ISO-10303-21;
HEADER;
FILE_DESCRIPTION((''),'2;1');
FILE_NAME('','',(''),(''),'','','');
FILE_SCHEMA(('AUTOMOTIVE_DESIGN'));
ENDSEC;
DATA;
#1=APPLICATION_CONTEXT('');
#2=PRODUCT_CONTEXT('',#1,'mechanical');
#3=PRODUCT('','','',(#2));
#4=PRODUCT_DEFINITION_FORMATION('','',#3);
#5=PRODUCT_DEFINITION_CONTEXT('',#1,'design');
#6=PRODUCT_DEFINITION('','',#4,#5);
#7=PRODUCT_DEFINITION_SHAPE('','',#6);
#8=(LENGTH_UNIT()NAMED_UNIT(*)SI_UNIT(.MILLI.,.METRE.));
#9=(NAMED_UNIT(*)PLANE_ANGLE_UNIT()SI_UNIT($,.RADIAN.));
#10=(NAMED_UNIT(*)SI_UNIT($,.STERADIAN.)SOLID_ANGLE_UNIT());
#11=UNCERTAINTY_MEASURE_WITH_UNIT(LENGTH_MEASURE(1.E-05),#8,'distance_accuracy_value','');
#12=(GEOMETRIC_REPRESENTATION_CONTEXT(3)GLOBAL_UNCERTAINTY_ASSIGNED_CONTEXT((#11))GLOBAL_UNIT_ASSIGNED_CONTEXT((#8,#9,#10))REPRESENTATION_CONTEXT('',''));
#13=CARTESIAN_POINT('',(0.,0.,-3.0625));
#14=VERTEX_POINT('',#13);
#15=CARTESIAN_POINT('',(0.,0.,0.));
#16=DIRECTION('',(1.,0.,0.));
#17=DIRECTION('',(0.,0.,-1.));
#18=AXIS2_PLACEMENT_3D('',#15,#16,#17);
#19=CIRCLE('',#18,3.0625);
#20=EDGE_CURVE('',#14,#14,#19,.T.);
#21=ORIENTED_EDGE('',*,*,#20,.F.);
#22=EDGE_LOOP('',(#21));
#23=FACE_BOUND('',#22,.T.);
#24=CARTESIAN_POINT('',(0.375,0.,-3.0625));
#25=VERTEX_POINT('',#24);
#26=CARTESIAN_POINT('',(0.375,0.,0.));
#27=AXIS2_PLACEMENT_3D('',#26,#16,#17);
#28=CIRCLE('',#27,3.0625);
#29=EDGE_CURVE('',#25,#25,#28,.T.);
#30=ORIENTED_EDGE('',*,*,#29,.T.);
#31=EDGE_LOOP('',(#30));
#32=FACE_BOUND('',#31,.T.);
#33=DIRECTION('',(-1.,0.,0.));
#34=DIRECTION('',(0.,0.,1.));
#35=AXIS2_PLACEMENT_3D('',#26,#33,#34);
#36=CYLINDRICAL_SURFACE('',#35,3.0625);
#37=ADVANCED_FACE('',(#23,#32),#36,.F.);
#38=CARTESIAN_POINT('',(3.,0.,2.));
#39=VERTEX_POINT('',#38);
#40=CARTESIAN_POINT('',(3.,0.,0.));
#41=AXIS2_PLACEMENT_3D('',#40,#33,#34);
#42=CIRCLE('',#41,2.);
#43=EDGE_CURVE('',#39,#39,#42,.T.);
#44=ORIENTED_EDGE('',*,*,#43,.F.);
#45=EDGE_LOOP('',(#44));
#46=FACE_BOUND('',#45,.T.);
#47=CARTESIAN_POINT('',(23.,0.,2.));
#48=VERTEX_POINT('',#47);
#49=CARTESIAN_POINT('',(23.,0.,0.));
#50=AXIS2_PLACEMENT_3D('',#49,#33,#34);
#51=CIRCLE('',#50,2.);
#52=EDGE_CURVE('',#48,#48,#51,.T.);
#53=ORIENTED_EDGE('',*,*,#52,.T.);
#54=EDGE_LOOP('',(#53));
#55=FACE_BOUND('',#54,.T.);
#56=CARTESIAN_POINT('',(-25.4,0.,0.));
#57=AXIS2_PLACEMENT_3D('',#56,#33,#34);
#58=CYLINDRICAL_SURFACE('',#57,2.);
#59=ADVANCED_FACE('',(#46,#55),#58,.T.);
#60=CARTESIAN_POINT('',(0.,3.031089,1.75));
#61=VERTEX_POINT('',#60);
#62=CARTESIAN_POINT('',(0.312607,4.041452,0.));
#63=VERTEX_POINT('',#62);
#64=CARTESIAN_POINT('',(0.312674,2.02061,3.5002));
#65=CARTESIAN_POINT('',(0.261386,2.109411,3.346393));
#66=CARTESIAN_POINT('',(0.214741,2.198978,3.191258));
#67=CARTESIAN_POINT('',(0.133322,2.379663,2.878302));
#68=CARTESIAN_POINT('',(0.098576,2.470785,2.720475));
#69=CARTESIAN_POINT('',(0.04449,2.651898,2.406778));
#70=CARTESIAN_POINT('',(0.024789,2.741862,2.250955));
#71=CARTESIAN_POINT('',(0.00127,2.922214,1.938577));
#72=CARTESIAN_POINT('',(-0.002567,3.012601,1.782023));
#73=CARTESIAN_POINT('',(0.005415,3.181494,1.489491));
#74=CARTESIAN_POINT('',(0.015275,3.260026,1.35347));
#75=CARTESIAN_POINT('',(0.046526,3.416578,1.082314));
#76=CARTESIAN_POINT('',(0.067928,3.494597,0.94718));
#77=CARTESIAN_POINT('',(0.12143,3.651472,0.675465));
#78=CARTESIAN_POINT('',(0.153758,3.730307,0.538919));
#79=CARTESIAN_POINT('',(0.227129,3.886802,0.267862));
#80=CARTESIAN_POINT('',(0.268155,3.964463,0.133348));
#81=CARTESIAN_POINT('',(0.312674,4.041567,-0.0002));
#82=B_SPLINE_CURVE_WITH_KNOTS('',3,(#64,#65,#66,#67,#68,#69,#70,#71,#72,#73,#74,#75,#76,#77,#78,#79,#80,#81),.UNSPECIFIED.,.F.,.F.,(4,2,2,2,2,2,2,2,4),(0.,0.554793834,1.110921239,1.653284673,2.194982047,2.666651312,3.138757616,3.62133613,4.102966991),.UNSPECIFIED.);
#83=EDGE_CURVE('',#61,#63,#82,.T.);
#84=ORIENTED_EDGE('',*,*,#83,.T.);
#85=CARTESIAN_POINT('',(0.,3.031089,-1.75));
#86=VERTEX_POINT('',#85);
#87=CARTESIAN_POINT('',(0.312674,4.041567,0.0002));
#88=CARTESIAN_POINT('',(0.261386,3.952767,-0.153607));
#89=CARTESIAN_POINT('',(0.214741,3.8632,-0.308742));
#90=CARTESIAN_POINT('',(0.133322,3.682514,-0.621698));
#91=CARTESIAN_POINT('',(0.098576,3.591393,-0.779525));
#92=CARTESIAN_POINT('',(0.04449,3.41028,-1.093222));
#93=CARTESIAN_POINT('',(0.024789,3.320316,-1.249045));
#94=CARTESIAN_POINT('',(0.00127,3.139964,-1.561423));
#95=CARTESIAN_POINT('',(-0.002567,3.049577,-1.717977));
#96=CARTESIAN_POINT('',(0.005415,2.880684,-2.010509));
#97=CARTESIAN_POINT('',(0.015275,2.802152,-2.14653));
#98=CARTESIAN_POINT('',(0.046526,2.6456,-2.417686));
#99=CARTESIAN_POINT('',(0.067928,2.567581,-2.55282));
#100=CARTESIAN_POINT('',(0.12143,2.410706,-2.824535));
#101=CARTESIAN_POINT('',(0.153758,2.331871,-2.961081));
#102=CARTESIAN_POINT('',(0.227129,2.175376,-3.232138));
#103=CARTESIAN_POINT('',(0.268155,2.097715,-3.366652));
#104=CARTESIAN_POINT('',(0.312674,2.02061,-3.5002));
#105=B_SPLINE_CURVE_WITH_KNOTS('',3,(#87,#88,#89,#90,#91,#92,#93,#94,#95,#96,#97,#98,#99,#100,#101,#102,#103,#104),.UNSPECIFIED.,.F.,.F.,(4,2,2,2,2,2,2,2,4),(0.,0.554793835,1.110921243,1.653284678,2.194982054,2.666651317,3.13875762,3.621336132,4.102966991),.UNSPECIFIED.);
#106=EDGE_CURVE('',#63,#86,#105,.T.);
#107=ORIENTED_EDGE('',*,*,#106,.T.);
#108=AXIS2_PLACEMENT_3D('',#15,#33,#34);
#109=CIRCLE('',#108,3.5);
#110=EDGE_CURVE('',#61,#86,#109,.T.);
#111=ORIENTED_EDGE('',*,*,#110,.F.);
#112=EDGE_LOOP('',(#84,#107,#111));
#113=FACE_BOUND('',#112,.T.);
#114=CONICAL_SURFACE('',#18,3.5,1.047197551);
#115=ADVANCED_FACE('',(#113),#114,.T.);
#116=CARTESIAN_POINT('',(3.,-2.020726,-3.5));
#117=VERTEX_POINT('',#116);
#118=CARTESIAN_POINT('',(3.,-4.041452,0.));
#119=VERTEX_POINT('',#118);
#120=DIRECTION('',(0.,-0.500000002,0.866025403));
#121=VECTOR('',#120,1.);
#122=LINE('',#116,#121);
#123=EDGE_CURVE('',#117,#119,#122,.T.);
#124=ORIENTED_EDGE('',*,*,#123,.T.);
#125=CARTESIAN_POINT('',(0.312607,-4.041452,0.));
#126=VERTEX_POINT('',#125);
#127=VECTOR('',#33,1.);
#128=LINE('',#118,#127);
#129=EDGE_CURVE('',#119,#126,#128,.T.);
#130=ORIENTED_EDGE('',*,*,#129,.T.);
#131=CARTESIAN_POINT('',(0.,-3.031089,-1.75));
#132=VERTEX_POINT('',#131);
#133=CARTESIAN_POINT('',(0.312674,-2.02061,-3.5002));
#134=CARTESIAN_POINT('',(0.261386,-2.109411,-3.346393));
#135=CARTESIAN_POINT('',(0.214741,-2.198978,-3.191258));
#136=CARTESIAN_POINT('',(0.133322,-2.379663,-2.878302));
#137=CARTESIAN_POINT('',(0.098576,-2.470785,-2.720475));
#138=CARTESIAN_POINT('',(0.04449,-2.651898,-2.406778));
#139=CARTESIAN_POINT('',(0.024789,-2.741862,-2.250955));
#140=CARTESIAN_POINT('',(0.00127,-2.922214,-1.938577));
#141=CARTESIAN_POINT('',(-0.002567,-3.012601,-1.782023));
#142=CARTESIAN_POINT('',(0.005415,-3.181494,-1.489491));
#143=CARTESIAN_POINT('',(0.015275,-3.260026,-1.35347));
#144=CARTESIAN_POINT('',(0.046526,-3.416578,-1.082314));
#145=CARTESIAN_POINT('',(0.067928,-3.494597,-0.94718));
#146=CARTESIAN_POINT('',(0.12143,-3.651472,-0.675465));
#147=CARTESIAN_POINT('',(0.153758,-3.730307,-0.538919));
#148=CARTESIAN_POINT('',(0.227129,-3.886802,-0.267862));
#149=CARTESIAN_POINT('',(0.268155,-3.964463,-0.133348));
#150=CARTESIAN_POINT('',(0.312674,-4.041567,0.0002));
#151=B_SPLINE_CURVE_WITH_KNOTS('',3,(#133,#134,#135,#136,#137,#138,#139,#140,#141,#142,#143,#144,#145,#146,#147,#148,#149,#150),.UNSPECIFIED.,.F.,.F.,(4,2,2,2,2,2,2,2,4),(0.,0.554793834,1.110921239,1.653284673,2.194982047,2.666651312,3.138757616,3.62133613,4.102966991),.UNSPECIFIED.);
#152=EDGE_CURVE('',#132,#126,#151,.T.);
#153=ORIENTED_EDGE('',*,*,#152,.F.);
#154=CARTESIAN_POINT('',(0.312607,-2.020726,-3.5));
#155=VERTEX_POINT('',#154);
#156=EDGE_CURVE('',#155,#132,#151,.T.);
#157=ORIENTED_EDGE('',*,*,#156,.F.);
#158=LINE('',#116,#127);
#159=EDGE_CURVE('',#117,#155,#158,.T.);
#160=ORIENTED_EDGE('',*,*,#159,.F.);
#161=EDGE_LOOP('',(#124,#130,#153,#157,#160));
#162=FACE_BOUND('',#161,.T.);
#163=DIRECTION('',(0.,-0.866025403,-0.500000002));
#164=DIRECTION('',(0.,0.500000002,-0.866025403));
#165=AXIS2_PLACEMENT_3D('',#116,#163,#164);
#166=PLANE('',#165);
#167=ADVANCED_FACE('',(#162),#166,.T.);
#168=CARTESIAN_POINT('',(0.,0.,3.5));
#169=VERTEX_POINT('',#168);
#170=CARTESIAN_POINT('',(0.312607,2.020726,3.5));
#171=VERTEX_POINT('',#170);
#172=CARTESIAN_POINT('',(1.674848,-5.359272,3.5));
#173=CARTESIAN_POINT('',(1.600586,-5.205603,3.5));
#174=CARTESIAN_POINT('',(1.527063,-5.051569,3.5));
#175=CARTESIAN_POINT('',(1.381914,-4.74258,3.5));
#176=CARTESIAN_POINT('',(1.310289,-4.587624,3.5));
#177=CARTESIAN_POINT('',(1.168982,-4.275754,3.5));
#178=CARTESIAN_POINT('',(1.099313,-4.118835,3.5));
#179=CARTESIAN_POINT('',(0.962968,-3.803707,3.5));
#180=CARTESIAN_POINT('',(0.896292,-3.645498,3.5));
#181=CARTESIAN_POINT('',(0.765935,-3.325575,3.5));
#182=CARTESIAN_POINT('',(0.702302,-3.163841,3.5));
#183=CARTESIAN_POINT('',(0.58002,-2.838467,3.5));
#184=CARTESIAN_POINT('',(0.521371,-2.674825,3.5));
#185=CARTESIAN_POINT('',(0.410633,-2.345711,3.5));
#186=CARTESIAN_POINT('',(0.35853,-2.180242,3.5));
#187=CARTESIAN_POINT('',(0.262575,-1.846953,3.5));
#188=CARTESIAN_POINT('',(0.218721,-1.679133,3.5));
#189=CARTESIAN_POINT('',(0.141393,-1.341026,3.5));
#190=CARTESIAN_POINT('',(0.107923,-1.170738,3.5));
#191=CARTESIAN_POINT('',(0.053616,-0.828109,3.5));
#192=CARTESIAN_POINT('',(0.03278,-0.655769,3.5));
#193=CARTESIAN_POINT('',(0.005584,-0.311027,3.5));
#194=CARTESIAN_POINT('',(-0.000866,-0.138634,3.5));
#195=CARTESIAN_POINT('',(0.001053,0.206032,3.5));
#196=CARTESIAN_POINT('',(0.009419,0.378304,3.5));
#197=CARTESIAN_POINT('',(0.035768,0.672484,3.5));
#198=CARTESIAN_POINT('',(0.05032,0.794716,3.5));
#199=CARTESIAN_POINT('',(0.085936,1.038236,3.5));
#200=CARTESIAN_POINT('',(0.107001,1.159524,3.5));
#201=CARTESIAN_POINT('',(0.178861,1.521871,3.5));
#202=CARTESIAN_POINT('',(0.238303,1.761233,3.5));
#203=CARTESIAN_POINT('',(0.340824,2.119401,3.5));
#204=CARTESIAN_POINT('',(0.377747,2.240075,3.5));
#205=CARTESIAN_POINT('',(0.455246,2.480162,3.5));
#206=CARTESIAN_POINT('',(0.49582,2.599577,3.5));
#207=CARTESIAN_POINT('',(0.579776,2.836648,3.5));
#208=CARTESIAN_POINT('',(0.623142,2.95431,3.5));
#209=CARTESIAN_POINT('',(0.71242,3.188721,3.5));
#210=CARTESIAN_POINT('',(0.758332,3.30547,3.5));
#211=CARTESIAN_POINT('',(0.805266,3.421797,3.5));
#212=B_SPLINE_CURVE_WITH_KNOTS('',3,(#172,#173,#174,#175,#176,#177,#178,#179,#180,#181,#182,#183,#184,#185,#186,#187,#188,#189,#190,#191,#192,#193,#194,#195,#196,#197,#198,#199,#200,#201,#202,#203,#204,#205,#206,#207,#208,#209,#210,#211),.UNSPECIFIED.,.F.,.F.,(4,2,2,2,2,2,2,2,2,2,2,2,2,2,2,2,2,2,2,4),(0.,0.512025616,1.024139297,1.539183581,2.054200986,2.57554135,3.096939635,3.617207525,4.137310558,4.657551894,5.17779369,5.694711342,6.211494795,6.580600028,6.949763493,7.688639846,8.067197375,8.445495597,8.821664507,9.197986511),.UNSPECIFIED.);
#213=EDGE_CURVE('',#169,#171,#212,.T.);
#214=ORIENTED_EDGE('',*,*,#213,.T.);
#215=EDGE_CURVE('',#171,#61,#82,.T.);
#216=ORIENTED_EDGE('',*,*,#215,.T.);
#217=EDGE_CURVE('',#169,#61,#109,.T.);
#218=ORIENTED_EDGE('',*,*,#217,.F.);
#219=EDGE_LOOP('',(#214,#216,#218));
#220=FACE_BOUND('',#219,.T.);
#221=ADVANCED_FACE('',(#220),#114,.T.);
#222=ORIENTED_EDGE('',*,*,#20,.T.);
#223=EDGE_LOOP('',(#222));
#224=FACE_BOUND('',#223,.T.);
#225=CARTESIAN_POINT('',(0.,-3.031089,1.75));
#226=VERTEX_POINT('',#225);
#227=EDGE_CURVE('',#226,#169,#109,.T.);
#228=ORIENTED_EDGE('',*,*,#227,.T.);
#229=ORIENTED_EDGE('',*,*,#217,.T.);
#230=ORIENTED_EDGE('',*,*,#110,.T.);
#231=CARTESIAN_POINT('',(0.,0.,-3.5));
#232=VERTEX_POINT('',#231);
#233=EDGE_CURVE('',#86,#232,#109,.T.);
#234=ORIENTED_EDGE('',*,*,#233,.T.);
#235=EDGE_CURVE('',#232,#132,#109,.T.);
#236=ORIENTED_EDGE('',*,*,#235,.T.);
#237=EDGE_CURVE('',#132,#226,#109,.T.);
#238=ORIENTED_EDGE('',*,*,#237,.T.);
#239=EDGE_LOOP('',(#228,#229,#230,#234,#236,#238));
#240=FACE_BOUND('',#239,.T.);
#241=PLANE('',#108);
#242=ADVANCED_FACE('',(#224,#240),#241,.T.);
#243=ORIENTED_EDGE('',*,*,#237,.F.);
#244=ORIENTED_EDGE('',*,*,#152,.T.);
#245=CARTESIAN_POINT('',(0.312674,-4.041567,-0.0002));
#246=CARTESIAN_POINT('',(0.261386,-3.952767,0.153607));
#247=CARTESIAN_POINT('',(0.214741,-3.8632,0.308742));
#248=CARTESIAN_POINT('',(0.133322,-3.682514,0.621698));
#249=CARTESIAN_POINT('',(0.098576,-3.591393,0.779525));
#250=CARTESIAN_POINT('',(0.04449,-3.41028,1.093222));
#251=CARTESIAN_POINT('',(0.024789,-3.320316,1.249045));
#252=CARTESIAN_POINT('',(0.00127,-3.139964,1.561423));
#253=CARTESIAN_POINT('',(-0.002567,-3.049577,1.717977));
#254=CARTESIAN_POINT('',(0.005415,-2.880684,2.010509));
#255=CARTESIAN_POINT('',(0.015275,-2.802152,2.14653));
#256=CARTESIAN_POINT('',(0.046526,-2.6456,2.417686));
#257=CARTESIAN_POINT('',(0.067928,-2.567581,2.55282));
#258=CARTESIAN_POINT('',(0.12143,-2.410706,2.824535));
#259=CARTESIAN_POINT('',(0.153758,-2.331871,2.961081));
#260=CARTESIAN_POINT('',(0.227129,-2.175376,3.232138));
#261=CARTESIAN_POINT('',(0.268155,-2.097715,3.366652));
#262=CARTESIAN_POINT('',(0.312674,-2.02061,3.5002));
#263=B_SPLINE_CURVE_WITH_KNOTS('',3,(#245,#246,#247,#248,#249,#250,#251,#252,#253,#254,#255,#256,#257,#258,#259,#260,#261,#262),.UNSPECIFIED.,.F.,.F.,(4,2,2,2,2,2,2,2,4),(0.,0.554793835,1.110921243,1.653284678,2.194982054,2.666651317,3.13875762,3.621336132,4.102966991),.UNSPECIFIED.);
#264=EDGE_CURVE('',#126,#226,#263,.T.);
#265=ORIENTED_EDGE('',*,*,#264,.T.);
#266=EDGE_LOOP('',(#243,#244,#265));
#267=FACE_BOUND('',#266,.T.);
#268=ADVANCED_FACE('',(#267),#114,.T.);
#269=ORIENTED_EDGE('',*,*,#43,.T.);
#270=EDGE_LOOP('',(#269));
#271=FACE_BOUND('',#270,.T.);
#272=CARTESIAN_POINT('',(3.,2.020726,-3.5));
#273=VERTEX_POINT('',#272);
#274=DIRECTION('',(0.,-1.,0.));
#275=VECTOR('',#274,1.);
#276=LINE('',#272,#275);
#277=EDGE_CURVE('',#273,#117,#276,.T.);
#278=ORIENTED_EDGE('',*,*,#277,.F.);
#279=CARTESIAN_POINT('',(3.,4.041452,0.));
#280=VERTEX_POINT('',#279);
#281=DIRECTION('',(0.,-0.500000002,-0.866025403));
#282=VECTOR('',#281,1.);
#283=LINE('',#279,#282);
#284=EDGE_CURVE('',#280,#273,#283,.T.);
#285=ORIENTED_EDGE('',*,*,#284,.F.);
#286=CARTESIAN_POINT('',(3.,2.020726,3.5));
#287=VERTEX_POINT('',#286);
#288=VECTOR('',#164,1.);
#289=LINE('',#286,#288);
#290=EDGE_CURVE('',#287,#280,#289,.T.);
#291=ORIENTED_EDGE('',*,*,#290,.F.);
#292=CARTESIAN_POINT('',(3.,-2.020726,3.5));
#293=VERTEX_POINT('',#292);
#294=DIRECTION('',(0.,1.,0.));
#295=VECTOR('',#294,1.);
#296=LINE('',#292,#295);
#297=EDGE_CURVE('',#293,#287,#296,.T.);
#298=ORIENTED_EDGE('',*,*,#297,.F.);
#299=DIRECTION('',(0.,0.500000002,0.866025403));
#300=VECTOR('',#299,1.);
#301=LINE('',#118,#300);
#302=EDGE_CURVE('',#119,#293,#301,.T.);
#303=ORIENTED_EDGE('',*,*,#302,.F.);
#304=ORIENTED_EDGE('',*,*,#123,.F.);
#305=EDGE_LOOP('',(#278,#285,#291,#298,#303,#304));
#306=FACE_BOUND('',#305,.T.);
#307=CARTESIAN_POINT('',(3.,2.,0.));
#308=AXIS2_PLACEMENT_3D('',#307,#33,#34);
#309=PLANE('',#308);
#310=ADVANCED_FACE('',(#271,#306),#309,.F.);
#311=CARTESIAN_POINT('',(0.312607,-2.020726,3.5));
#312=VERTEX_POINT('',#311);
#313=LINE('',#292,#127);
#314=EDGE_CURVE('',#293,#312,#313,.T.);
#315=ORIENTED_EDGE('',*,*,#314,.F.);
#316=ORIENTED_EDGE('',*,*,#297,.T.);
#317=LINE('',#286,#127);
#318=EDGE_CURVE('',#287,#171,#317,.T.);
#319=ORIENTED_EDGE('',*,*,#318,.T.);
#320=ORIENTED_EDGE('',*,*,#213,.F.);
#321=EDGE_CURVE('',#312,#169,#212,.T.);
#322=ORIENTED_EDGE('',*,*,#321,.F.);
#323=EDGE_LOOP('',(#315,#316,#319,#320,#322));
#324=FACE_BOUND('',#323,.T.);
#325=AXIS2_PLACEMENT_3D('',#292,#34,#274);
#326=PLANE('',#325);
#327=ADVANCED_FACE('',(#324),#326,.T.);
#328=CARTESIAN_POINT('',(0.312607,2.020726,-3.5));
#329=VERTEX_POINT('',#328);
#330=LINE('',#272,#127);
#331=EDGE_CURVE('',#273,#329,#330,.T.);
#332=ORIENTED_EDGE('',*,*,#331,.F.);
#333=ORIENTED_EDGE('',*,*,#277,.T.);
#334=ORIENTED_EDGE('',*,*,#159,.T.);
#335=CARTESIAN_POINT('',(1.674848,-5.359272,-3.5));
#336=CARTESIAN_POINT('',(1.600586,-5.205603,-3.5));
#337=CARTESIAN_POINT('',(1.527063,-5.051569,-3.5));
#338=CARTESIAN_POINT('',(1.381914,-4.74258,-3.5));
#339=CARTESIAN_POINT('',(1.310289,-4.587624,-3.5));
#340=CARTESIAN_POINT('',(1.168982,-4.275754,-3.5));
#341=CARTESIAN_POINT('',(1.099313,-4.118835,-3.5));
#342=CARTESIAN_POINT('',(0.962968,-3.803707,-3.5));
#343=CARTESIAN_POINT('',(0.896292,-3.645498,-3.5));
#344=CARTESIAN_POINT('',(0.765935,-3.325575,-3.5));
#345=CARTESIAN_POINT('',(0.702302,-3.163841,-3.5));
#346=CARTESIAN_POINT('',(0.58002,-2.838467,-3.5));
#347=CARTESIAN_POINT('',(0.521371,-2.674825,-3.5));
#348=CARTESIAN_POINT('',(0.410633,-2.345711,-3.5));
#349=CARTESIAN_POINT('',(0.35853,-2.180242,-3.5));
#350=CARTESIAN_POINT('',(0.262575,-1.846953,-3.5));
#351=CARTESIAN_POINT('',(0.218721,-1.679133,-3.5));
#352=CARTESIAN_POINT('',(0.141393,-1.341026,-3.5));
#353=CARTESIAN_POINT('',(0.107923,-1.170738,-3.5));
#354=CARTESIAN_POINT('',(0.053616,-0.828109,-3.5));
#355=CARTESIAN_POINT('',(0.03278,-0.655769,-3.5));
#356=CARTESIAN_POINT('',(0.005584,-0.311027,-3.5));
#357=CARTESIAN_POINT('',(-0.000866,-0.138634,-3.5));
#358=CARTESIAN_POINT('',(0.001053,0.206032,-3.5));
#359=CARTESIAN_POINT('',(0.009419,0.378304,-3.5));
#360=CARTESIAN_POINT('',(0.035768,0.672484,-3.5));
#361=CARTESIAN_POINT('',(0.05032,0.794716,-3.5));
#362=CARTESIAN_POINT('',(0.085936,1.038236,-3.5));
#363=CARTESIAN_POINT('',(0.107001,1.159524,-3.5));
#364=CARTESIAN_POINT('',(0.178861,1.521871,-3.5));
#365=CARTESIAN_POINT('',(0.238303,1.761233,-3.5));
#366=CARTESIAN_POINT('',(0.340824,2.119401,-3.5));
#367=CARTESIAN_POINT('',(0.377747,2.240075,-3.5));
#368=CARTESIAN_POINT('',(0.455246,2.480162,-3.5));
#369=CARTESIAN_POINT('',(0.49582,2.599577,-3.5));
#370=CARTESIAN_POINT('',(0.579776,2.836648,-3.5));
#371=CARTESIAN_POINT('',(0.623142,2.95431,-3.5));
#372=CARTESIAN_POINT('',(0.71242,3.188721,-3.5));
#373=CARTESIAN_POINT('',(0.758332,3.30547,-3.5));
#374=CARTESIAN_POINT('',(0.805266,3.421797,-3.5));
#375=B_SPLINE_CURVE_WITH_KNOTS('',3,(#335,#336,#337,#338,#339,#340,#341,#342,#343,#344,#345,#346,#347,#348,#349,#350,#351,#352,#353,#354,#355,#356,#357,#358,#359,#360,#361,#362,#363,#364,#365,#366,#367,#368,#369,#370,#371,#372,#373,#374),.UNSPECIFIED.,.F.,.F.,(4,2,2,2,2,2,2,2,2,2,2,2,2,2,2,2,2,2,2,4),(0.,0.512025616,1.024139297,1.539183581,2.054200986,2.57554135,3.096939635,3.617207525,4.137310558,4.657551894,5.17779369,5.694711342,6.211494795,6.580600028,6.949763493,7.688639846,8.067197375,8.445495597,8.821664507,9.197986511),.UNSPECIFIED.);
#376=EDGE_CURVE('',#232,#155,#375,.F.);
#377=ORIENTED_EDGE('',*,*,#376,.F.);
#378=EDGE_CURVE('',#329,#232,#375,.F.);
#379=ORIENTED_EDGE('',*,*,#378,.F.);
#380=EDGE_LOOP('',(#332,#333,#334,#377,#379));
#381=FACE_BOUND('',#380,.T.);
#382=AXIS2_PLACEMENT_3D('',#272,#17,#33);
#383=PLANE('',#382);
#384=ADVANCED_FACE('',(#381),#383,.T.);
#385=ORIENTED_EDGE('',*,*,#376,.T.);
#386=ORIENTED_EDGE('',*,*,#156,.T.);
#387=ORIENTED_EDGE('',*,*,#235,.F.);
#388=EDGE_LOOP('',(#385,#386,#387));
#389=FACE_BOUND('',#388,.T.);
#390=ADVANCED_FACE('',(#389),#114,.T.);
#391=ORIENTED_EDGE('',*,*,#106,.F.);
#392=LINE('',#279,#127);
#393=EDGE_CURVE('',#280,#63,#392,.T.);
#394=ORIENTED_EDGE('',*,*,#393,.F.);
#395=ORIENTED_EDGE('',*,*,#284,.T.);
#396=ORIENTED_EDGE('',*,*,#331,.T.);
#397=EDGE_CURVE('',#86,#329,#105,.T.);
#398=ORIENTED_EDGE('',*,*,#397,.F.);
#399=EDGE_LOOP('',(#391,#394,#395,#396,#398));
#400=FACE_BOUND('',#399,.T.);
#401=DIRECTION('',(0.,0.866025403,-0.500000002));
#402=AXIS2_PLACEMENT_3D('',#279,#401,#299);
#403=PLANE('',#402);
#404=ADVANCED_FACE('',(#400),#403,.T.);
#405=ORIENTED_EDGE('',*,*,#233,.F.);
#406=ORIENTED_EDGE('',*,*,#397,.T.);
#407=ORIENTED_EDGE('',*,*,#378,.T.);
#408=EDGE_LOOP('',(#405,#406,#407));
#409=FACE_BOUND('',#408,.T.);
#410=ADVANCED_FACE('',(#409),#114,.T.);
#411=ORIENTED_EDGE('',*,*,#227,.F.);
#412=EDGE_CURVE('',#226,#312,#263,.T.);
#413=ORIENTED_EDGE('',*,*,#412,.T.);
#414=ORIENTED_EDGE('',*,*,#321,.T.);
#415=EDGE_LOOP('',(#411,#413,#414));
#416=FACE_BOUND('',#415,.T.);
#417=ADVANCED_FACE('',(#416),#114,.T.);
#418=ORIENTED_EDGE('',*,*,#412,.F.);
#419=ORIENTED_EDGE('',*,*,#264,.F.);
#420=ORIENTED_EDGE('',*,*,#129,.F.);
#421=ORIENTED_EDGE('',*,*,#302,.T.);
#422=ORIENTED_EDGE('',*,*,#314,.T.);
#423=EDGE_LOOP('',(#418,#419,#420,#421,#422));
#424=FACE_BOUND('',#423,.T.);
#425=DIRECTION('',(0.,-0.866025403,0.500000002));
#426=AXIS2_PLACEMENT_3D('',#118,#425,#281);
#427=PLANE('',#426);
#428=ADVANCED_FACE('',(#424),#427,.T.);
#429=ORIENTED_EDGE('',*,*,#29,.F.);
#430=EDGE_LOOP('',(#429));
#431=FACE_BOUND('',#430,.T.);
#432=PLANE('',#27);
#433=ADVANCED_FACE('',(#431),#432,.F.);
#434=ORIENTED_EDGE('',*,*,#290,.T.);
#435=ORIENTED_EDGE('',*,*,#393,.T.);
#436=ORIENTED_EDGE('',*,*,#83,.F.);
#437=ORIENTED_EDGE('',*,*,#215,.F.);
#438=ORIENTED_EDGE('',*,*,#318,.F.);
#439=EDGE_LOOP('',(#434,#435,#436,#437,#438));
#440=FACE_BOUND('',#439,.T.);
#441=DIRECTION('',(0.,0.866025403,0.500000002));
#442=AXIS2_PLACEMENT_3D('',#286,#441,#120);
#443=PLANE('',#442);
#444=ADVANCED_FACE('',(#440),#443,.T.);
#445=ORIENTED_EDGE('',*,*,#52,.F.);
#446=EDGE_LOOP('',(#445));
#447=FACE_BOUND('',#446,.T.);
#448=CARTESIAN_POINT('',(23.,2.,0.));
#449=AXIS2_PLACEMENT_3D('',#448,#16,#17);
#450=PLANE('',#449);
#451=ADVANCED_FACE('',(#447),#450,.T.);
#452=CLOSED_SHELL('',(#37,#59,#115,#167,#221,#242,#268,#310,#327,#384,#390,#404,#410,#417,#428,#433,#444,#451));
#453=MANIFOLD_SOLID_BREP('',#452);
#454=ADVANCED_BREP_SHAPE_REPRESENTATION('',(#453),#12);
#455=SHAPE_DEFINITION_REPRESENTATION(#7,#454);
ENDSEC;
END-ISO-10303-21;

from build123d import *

# Parameters (mm, degrees)
SKETCH2_R     = 4.081986143
HEX_DIE_DEPTH = 3
SKETCH4_R     = 3.0625
INDENT_DEPTH  = 0.375


with BuildPart() as part:
    # BodySke → Base-Revolve (revolve)
    with BuildSketch(Plane.XY, mode=Mode.PRIVATE) as base_revolve_sk:
        Polygon((3, 2), (3, 4.041570439), (0.312675839, 4.041570439), (0, 3.5), (0, 0), (23, 0), (23, 2), align=None)
    revolve(base_revolve_sk.sketch.rotate(Axis((-25.4, 0, 0), (1, 0, 0)), 90), axis=Axis((-25.4, 0, 0), (1, 0, 0)))

    # Sketch2 → Hex-Die (cut)
    with BuildSketch(Plane(origin=(0, 0, 0), x_dir=(0, 0, -1), z_dir=(1, 0, 0))):
        Circle(SKETCH2_R)
        Polygon((-3.5, 2.020725951), (0, 4.041451902), (3.5, 2.020725951), (3.5, -2.020725951), (0, -4.041451902), (-3.5, -2.020725951), align=None, mode=Mode.SUBTRACT)
    extrude(amount=HEX_DIE_DEPTH, mode=Mode.SUBTRACT)

    # Sketch4 → Indent (cut)
    with BuildSketch(Plane(origin=(0, 0, 0), x_dir=(0, 0, -1), z_dir=(1, 0, 0))):
        Circle(SKETCH4_R)
    extrude(amount=INDENT_DEPTH, mode=Mode.SUBTRACT)


solid = part.part
